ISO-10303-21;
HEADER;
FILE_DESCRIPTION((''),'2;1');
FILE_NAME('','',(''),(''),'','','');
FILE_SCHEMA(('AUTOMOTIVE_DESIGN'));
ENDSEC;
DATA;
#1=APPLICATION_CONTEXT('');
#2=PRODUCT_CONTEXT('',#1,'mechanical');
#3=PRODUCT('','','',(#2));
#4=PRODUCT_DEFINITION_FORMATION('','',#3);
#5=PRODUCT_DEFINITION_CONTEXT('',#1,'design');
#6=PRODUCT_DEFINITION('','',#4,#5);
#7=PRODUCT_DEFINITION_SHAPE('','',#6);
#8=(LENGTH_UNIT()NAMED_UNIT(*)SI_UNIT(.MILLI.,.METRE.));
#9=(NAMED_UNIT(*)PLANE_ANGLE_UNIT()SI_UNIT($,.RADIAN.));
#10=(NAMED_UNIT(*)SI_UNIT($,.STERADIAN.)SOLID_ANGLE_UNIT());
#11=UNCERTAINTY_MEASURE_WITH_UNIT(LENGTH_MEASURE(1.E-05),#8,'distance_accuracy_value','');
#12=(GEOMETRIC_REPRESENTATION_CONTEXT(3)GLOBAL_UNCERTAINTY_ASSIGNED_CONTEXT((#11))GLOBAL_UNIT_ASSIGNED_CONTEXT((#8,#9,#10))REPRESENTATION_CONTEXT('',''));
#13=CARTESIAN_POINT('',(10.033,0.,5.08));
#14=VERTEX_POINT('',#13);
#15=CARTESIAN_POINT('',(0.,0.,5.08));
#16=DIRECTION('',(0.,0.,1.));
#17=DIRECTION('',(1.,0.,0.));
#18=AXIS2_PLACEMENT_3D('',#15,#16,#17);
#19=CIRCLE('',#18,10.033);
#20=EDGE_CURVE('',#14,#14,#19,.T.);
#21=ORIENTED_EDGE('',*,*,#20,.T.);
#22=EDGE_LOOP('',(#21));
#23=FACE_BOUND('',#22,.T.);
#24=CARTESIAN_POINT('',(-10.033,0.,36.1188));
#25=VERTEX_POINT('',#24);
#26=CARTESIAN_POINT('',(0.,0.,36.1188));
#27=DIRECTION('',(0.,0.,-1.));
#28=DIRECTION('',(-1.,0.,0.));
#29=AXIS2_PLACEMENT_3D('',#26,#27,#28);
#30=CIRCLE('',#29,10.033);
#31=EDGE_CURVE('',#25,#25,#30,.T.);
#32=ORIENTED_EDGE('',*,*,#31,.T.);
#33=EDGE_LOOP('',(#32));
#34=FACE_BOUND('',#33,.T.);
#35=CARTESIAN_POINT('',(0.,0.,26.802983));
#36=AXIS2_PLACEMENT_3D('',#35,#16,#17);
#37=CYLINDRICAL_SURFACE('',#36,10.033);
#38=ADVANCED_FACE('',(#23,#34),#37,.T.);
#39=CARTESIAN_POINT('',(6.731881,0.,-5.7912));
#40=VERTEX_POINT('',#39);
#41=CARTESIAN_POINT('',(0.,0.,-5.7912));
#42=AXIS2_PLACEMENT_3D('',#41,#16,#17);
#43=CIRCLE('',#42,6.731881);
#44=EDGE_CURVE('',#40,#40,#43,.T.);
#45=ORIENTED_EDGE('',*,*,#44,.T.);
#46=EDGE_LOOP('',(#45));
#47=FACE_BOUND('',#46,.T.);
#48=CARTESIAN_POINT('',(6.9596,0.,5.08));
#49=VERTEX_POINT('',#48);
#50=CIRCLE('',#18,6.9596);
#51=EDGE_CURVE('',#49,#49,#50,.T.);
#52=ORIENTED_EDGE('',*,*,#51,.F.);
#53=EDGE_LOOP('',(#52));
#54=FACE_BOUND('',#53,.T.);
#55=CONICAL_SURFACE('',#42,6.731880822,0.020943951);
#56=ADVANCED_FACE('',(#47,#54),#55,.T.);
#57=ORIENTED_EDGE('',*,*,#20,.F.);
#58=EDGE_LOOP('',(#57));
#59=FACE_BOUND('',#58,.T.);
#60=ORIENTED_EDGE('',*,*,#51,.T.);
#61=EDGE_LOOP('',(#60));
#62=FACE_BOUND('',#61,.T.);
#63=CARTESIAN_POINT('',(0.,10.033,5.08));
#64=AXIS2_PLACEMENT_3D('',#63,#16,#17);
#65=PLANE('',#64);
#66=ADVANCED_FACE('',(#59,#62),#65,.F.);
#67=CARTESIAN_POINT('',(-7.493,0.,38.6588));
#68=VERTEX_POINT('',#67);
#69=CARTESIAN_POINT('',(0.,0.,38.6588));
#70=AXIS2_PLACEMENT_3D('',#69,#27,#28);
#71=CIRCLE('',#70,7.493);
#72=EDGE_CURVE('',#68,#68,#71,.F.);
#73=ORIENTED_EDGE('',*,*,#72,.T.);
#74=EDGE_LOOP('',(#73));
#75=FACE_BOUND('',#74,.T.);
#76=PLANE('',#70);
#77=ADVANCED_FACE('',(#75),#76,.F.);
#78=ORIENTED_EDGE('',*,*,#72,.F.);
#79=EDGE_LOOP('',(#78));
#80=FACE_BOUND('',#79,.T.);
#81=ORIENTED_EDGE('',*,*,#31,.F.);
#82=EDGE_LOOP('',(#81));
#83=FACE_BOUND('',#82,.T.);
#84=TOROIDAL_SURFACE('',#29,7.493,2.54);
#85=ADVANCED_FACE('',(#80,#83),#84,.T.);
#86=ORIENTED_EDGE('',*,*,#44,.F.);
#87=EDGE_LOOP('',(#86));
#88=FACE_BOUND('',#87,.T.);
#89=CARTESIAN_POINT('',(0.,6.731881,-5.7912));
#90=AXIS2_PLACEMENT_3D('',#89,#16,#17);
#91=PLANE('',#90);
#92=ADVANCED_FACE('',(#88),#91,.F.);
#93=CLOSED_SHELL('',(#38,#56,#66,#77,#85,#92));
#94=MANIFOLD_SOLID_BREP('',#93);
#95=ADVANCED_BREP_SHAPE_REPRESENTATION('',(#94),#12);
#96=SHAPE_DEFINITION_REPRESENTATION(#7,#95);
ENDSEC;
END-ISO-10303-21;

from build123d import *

# Parameters (mm, degrees)
FILLET1_R = 2.54


with BuildPart() as part:
    # Sketch1 → Revolve1 (revolve)
    with BuildSketch(Plane(origin=(0, 0, 0), x_dir=(0, 0, -1), z_dir=(1, 0, 0)), mode=Mode.PRIVATE) as revolve1_sk:
        Polygon((-38.6588, 0), (-38.6588, 10.033), (-5.08, 10.033), (-5.08, 6.9596), (5.7912, 6.731880822), (5.7912, 0), align=None)
    revolve(revolve1_sk.sketch.rotate(Axis((0, 0, 26.802982982), (0, 0, -1)), 90), axis=Axis((0, 0, 26.802982982), (0, 0, -1)))

    # Fillet1
    fillet1_edges = [part.edges().sort_by_distance(p)[0] for p in [
        (-10.033, 0, 38.6588),
    ]]
    fillet(fillet1_edges, radius=FILLET1_R)


solid = part.part
